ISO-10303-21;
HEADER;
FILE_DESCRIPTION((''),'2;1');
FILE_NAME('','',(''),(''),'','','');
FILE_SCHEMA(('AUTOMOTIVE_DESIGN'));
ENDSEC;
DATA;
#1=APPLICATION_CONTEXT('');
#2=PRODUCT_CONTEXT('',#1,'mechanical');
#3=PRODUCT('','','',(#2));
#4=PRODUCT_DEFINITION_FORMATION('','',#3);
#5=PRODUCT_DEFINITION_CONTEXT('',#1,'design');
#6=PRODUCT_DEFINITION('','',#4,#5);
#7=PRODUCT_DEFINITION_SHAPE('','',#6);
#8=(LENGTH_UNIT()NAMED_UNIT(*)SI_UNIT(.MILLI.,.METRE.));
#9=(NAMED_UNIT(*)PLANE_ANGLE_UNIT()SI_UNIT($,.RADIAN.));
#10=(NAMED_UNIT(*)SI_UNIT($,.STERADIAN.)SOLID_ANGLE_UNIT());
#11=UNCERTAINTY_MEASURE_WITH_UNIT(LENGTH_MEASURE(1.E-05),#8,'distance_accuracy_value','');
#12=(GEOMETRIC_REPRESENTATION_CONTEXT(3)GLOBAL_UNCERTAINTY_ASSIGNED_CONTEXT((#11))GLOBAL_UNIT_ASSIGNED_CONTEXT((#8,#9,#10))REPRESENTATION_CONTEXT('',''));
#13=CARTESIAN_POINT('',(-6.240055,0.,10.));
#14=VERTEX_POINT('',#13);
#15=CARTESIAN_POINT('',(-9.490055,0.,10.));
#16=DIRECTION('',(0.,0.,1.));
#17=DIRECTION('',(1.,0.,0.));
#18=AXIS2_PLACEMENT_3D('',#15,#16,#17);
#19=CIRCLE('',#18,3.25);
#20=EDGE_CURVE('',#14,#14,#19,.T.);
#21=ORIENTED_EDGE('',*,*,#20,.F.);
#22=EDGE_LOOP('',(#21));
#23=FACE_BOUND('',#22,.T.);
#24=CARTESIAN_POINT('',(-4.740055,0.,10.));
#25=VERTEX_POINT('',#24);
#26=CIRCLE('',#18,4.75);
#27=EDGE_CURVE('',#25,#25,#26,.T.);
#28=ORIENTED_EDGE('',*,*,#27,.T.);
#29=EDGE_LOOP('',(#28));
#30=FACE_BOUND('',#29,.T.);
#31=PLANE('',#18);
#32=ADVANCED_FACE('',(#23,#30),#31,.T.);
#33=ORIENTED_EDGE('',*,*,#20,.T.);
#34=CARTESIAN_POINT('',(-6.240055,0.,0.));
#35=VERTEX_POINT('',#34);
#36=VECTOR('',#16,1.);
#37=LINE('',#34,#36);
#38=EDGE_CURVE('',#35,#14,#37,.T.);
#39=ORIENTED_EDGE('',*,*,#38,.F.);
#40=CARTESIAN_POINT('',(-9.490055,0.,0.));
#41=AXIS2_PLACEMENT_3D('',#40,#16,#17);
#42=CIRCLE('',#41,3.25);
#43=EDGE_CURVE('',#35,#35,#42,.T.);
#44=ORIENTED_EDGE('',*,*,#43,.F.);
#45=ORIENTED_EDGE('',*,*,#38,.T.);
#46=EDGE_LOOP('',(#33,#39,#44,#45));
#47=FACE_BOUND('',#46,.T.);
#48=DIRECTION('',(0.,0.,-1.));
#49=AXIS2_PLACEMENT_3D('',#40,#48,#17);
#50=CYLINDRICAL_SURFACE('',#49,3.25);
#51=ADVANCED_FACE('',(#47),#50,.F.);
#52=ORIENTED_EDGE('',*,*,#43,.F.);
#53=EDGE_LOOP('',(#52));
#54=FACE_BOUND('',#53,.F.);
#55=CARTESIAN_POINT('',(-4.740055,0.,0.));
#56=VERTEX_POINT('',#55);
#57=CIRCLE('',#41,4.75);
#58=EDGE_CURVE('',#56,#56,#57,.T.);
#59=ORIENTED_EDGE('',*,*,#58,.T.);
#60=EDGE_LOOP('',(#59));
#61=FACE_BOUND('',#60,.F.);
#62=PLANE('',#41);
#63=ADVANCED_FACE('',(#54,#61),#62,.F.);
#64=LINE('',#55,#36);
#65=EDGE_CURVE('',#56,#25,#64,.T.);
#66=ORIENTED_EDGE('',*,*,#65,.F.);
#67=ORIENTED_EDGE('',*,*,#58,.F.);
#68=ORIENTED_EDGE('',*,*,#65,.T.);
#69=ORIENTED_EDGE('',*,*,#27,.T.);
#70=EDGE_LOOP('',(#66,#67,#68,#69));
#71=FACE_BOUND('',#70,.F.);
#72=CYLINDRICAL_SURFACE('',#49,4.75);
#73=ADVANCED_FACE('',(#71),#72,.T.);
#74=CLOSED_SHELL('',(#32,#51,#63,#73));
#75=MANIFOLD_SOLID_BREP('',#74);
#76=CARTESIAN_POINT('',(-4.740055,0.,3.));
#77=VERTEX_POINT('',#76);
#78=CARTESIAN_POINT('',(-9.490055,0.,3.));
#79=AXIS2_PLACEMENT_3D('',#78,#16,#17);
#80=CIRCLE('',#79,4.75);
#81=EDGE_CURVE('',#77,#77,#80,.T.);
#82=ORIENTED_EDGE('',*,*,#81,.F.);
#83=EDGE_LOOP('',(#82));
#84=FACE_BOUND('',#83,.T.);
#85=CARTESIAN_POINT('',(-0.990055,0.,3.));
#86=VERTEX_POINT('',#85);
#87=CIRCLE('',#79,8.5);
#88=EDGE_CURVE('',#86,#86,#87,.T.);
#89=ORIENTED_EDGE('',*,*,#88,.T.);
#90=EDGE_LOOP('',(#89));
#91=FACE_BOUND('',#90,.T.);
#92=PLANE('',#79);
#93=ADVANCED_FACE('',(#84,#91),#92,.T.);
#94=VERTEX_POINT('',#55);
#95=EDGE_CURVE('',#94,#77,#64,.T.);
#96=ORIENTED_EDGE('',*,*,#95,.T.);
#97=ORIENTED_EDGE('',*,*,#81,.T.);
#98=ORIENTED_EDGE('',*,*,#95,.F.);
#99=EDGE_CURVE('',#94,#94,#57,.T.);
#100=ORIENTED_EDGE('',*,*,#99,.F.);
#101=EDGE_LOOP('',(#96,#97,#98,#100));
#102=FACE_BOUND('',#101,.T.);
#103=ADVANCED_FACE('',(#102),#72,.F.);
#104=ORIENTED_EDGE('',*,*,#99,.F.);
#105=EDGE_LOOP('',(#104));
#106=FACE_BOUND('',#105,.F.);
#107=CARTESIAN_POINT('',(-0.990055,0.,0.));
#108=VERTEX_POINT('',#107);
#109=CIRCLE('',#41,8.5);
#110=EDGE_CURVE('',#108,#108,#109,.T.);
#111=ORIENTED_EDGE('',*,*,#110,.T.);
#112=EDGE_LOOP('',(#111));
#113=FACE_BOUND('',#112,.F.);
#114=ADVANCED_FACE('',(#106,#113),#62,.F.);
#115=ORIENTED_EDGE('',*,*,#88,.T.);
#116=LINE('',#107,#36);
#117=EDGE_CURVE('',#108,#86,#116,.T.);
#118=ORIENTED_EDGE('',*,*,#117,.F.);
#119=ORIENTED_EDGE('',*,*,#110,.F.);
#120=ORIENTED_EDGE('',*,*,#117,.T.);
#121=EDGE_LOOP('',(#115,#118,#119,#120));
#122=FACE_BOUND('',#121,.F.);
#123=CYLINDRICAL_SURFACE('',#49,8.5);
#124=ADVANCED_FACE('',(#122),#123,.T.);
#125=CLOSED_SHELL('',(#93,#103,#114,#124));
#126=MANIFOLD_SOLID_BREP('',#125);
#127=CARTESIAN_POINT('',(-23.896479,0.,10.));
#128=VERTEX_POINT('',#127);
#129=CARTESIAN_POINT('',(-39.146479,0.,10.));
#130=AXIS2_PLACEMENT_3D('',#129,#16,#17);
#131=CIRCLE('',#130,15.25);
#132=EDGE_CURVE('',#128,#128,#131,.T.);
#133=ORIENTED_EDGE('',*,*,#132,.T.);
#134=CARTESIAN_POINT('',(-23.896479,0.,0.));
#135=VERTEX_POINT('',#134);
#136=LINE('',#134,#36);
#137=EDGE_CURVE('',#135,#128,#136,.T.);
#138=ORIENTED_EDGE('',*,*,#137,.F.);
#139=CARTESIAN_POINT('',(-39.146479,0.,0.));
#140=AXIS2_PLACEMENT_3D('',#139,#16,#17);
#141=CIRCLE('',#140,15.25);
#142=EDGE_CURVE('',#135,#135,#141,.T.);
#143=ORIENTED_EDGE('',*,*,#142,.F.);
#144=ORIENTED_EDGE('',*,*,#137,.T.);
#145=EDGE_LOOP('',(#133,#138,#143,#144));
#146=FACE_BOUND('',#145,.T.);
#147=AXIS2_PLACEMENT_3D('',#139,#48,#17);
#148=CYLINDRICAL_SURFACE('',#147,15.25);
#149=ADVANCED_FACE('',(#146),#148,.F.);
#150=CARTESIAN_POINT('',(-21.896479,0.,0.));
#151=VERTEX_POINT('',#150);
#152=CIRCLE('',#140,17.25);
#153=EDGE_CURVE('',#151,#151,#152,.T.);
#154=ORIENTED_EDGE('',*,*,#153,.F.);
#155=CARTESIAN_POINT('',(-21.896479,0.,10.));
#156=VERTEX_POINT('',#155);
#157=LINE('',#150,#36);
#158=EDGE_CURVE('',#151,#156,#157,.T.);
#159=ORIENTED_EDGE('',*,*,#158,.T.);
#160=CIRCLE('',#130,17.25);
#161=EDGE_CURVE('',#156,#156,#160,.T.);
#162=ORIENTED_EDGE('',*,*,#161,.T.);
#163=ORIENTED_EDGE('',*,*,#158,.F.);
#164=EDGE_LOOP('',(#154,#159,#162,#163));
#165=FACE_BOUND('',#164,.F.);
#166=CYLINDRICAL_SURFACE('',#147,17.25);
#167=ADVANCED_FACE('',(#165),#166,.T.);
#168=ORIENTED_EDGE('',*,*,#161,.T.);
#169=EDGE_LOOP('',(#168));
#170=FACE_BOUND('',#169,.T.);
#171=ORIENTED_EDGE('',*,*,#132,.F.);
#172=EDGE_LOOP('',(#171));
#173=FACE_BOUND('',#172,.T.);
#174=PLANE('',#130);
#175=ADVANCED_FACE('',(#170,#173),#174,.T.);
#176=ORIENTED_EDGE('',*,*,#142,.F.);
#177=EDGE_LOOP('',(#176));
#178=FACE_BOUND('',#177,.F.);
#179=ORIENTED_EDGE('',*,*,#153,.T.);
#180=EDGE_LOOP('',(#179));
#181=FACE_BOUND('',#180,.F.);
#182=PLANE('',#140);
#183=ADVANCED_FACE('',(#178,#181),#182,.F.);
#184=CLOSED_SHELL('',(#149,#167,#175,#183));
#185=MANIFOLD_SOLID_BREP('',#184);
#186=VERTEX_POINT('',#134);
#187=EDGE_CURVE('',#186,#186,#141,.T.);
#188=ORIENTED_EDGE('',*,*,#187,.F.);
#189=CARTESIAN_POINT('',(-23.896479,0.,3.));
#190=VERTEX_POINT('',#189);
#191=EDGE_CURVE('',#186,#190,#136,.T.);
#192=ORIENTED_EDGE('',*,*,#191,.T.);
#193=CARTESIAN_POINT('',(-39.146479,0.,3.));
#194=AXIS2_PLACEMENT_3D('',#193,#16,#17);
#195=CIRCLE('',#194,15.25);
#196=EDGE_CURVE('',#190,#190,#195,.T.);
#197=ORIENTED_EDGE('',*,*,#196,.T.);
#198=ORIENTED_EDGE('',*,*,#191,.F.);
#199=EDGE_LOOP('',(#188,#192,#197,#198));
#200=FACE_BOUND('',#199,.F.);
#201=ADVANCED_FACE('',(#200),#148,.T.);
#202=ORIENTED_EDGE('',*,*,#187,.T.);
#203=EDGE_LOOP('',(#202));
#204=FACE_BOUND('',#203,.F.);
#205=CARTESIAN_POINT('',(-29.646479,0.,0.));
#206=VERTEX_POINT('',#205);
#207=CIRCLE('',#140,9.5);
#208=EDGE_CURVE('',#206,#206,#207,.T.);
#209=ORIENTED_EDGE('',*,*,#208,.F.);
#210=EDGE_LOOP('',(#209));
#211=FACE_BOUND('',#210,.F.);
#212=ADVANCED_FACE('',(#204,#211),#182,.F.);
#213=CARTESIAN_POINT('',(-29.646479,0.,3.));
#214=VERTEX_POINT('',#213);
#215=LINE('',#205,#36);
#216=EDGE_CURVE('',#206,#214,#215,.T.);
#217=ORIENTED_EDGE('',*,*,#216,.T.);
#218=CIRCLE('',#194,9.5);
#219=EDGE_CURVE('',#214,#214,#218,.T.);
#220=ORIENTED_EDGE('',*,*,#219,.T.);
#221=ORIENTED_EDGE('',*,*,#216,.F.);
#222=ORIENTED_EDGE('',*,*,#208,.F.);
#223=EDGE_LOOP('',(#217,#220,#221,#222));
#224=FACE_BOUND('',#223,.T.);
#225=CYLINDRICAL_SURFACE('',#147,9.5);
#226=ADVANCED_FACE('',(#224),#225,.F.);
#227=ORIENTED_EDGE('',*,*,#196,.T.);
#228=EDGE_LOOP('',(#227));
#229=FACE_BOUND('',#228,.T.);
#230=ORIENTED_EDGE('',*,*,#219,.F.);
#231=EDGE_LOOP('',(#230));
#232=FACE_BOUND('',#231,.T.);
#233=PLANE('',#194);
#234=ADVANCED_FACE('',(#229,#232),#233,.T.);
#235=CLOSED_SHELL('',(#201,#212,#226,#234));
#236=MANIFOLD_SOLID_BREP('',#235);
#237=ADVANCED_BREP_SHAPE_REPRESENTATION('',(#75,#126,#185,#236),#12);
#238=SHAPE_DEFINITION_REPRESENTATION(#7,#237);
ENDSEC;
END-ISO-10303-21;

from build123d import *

# Parameters (mm, degrees)
F0_R     = 15.25
F0_R_2   = 9.5
F0_R_3   = 8.5
F0_R_4   = 4.75
F1_DEPTH = 3
F0_R_5   = 17.25
F0_R_6   = 3.25
F2_DEPTH = 10


with BuildPart() as f1:
    # F0 (on Top) → F1 (new body)
    with BuildSketch(Plane.XY):
        with Locations((-39.146479, 0)):
            Circle(F0_R)
        with Locations((-39.146479, 0)):
            Circle(F0_R_2, mode=Mode.SUBTRACT)
        with Locations((-9.490055, 0)):
            Circle(F0_R_3)
        with Locations((-9.490055, 0)):
            Circle(F0_R_4, mode=Mode.SUBTRACT)
    extrude(amount=F1_DEPTH)


with BuildPart() as f2:
    # F0 (on Top) → F2 (new body)
    with BuildSketch(Plane.XY):
        with Locations((-39.146479, 0)):
            Circle(F0_R_5)
        with Locations((-39.146479, 0)):
            Circle(F0_R, mode=Mode.SUBTRACT)
        with Locations((-9.490055, 0)):
            Circle(F0_R_4)
        with Locations((-9.490055, 0)):
            Circle(F0_R_6, mode=Mode.SUBTRACT)
    extrude(amount=F2_DEPTH)


solid = Compound([f1.part, f2.part])
